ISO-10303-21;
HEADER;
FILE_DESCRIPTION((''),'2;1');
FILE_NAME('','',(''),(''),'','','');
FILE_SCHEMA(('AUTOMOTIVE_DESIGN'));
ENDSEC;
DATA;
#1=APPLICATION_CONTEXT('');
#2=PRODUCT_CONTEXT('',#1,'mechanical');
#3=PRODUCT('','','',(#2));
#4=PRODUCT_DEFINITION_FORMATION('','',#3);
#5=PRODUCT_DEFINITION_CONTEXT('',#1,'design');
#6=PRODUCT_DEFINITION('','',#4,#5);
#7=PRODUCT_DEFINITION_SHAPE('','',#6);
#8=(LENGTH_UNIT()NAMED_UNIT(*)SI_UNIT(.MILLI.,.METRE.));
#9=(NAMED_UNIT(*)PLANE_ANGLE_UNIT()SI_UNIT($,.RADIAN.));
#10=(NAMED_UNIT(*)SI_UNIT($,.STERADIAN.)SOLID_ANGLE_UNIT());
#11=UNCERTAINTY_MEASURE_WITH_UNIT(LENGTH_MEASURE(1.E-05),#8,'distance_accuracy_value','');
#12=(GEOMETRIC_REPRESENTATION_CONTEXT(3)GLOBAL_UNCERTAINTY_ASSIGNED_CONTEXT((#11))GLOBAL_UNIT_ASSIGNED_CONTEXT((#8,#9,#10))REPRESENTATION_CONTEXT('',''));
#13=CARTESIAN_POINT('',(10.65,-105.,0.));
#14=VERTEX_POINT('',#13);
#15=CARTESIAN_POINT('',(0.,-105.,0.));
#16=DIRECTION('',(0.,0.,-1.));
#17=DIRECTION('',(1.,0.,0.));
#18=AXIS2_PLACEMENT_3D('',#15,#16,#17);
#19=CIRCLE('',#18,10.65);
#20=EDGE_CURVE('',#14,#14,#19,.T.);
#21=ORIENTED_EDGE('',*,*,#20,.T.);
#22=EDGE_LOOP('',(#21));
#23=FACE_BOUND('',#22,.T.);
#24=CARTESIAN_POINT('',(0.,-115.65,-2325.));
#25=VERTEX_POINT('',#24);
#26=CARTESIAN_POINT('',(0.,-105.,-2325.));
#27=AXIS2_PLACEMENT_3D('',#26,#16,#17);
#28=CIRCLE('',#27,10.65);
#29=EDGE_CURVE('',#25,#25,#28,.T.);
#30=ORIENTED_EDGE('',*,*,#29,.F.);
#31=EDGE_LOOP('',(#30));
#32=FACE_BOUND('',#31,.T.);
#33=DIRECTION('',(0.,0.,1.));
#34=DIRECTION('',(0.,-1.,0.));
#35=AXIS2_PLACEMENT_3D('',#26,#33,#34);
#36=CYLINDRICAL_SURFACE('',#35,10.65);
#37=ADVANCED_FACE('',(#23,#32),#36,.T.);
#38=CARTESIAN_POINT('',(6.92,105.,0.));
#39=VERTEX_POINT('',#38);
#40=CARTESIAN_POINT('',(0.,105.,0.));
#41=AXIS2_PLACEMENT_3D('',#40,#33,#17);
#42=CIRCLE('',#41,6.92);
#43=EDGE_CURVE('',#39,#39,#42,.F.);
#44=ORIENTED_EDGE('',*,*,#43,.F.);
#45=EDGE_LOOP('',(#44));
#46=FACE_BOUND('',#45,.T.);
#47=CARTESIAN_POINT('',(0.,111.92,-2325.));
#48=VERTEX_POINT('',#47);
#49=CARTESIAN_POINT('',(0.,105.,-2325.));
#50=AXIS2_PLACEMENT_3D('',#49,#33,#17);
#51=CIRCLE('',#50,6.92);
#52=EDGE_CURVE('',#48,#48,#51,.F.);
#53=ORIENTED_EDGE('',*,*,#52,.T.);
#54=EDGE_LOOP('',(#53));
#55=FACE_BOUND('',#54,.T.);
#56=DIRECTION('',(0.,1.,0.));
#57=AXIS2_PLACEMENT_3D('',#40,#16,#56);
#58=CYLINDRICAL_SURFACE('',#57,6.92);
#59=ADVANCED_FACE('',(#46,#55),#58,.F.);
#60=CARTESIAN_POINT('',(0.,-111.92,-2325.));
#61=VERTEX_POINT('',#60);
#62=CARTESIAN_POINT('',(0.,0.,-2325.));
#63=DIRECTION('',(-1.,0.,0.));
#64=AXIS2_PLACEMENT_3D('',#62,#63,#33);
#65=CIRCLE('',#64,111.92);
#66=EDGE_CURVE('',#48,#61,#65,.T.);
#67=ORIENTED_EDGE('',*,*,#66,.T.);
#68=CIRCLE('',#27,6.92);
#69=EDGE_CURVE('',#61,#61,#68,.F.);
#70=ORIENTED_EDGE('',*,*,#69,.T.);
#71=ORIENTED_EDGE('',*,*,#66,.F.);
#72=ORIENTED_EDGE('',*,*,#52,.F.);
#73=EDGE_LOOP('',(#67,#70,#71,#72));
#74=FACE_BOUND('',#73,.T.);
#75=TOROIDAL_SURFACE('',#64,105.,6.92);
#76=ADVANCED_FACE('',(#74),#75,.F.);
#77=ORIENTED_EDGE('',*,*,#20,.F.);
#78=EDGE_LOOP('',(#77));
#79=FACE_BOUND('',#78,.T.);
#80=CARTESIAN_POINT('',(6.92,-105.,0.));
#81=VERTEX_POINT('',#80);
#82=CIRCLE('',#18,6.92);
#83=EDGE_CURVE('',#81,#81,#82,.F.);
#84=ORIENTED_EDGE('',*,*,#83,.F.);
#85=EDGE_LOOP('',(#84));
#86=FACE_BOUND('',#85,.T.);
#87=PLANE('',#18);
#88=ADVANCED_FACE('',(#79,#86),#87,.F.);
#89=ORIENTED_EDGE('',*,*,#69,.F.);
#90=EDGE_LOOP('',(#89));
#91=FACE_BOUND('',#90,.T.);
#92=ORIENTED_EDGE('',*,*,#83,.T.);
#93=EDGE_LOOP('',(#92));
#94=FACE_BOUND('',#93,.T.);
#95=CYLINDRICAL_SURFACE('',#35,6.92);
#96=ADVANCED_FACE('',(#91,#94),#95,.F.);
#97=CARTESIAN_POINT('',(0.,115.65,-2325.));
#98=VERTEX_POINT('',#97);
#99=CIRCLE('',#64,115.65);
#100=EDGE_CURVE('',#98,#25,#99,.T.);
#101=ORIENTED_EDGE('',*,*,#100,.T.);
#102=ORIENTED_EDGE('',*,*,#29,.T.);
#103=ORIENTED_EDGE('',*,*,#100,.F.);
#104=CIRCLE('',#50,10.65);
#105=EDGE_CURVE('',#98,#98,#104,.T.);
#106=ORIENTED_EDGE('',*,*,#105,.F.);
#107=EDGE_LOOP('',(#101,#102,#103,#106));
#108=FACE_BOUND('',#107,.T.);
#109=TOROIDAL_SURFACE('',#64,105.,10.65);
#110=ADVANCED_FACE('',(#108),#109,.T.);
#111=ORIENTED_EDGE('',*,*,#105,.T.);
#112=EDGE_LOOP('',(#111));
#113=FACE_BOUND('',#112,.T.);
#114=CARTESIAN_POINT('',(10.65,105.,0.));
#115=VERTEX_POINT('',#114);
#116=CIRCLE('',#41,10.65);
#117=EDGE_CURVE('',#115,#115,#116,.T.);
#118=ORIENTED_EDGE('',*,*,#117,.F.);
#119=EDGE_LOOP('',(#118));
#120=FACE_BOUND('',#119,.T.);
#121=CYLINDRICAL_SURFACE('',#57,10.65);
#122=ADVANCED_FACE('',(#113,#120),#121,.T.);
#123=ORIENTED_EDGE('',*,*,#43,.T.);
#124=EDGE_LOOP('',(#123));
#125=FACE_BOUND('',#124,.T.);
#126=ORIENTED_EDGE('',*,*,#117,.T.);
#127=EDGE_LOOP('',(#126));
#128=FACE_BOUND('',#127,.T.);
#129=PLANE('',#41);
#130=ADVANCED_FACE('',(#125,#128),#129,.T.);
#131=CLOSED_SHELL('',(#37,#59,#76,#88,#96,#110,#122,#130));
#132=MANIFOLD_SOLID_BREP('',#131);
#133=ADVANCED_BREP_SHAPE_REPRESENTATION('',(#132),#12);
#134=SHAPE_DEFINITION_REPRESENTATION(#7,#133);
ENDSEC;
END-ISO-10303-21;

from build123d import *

# Parameters (mm, degrees)
SKETCH2_R   = 10.65
SKETCH2_R_2 = 6.92


with BuildPart() as part:
    # Sweep1: sweep along a path in Sketch1
    with BuildLine(Plane(origin=(0, 0, 0), x_dir=(0, 0, -1), z_dir=(1, 0, 0))) as sweep1_path:
        Line((0, 105), (2325, 105))
        ThreePointArc((2325, 105), (2430, 0), (2325, -105))
        Line((2325, -105), (0, -105))
    # Sketch2 → Sweep1 (sweep)
    with BuildSketch(Plane.XY):
        with Locations((0, 105)):
            Circle(SKETCH2_R)
        with Locations((0, 105)):
            Circle(SKETCH2_R_2, mode=Mode.SUBTRACT)
    sweep(path=sweep1_path.line)


solid = part.part
